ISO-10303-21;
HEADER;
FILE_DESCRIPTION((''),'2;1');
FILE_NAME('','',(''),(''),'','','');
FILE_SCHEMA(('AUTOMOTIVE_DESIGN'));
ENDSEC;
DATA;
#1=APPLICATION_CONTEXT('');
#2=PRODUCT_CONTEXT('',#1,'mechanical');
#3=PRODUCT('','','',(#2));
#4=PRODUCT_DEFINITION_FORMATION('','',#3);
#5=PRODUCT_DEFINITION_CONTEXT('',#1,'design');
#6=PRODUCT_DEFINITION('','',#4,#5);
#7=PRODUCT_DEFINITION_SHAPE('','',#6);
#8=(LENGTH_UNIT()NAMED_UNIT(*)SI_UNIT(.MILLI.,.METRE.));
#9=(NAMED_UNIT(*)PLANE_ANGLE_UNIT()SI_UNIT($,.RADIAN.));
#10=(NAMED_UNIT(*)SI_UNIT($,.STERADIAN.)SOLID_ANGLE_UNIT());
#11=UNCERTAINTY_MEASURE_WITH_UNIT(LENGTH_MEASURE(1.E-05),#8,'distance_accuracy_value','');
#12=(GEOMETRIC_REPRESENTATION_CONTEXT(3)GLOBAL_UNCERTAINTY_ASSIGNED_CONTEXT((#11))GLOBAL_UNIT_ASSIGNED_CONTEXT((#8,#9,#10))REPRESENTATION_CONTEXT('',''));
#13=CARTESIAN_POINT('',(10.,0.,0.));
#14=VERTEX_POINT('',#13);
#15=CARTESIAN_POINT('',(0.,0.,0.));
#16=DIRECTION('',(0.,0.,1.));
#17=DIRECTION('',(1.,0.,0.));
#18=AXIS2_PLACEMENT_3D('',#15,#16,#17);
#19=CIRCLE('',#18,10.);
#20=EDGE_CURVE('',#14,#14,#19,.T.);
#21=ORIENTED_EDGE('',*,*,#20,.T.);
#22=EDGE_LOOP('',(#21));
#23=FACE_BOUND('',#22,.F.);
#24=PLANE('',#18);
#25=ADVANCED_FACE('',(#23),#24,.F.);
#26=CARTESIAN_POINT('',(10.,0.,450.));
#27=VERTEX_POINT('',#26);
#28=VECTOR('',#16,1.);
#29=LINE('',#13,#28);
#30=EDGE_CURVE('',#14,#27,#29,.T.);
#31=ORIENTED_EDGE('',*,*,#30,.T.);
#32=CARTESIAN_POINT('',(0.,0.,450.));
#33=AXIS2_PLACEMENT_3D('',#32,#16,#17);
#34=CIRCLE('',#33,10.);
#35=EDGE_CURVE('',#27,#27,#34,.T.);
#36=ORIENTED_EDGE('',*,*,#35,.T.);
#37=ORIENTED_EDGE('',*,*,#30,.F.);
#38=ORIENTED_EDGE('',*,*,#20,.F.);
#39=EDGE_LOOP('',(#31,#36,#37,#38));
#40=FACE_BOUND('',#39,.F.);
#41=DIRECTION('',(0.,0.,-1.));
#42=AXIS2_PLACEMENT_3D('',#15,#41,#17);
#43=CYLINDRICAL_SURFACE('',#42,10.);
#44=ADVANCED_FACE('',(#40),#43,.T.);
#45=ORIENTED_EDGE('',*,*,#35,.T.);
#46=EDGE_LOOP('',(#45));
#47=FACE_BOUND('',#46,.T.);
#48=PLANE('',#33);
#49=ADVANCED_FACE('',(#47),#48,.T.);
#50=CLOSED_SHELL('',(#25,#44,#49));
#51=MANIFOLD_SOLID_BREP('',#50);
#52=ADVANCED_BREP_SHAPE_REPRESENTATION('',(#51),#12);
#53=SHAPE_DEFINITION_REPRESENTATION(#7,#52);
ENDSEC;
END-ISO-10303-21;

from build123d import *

# Parameters (mm, degrees)
CROQUIS1_R              = 10
SALIENTE_EXTRUIR2_DEPTH = 450


with BuildPart() as part:
    # Croquis1 → Saliente-Extruir2 (new body)
    with BuildSketch(Plane.XY):
        Circle(CROQUIS1_R)
    extrude(amount=SALIENTE_EXTRUIR2_DEPTH)


solid = part.part
